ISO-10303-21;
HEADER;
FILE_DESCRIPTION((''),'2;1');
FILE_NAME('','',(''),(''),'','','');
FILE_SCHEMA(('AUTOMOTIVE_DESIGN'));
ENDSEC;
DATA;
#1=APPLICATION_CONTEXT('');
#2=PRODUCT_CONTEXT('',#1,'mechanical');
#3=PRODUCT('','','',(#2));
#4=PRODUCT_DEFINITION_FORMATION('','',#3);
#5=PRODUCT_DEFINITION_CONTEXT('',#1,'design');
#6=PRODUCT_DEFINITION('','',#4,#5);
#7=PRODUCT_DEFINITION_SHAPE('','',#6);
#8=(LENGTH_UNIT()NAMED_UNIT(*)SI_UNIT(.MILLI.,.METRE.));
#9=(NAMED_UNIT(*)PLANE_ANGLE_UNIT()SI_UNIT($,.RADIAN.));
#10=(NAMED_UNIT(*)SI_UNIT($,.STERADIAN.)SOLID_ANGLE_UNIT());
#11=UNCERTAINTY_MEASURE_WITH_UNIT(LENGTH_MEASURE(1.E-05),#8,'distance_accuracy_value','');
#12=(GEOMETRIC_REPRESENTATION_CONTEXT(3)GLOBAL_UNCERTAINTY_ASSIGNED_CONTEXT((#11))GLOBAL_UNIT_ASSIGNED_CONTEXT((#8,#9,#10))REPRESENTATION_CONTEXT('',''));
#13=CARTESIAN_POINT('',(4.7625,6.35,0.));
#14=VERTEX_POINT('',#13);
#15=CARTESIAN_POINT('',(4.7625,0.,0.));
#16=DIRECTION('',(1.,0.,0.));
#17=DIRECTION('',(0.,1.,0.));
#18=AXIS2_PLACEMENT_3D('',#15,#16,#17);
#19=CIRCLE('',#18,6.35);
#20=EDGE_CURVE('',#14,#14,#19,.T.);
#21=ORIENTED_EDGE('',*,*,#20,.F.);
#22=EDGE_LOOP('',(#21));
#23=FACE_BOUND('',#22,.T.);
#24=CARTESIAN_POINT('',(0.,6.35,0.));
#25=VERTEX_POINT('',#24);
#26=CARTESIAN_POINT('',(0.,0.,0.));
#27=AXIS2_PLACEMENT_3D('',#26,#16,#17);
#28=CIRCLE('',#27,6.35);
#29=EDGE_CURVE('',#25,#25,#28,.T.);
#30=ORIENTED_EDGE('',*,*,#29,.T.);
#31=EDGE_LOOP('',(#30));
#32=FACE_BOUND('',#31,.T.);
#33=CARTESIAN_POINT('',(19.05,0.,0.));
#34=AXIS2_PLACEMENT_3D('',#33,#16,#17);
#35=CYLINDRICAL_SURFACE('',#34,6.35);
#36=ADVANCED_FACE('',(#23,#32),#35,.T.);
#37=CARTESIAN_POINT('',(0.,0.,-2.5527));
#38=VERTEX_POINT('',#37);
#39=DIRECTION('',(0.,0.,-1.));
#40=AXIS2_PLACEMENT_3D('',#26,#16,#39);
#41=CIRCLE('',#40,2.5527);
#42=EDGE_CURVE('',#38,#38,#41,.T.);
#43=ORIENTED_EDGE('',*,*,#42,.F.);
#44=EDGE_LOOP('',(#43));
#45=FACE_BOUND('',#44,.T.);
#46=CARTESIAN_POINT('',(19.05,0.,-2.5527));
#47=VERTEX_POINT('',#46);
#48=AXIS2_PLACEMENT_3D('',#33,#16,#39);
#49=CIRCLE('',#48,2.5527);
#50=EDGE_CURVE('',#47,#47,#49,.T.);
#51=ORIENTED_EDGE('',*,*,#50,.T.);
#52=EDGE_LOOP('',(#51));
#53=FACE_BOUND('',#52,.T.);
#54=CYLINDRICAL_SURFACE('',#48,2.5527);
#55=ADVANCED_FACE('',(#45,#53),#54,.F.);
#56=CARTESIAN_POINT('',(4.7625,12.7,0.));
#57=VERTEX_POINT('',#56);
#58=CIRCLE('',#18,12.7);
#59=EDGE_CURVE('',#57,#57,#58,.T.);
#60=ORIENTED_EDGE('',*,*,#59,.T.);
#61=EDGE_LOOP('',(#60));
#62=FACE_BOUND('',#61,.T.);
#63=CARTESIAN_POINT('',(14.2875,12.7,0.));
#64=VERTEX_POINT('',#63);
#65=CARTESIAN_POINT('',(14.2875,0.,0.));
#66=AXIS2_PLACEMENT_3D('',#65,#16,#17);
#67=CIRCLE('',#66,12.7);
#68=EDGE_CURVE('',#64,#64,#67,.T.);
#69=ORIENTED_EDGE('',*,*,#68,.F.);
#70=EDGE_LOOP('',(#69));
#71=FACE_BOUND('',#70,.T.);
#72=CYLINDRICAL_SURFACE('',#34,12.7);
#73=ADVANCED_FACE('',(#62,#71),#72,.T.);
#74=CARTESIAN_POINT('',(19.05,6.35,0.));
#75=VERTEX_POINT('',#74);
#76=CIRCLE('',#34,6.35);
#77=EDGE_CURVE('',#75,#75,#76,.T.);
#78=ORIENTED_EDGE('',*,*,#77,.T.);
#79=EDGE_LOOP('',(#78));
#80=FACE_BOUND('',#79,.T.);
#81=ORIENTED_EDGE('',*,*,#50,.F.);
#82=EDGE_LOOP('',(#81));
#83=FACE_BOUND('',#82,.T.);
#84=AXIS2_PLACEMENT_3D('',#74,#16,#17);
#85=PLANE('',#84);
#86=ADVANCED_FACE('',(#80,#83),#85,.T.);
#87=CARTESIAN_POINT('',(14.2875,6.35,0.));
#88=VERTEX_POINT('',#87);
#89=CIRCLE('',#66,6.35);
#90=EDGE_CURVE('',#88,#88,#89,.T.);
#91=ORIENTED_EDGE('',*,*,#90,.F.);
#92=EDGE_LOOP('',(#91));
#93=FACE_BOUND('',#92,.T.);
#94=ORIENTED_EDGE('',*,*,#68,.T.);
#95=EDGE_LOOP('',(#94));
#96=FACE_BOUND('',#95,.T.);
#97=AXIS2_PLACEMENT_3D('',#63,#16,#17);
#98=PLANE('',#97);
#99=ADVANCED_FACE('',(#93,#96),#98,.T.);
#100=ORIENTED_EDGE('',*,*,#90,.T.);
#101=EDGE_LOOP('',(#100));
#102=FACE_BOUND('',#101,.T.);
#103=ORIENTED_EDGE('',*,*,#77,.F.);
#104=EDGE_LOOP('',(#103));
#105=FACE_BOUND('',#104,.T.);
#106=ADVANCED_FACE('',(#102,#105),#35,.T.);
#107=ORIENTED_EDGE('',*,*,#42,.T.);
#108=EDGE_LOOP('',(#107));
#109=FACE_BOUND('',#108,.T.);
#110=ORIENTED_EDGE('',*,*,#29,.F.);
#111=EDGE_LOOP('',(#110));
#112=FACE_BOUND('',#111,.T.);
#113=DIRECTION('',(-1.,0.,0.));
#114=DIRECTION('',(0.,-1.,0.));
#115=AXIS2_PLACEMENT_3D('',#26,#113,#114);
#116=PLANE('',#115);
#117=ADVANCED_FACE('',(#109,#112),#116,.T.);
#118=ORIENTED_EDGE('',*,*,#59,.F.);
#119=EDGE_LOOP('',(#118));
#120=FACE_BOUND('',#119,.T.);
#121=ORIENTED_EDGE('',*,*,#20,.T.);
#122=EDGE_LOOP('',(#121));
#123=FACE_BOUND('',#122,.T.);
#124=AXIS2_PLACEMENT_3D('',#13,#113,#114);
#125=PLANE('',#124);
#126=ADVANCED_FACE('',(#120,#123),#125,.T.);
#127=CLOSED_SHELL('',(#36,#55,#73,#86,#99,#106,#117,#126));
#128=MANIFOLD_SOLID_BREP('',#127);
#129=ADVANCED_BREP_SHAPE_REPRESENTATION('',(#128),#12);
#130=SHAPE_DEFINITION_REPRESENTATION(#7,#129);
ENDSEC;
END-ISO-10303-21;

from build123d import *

# Parameters (mm, degrees)
F_1_4_20_TAPPED_HOLE1_D = 5.1054


with BuildPart() as part:
    # Sketch1 → Revolve1 (revolve)
    with BuildSketch(Plane.XY):
        Polygon((0, 0), (0, 6.35), (4.7625, 6.35), (4.7625, 12.7), (14.2875, 12.7), (14.2875, 6.35), (19.05, 6.35), (19.05, 0), align=None)
    revolve(axis=Axis((19.05, 0, 0), (-1, 0, 0)))

    # 1/4-20 Tapped Hole1 (through all)
    with Locations(Plane(origin=(19.05, 0, 0), x_dir=(0, 0, -1), z_dir=(1, 0, 0))):
        with Locations((0, 0)):
            Hole(F_1_4_20_TAPPED_HOLE1_D / 2)


solid = part.part
